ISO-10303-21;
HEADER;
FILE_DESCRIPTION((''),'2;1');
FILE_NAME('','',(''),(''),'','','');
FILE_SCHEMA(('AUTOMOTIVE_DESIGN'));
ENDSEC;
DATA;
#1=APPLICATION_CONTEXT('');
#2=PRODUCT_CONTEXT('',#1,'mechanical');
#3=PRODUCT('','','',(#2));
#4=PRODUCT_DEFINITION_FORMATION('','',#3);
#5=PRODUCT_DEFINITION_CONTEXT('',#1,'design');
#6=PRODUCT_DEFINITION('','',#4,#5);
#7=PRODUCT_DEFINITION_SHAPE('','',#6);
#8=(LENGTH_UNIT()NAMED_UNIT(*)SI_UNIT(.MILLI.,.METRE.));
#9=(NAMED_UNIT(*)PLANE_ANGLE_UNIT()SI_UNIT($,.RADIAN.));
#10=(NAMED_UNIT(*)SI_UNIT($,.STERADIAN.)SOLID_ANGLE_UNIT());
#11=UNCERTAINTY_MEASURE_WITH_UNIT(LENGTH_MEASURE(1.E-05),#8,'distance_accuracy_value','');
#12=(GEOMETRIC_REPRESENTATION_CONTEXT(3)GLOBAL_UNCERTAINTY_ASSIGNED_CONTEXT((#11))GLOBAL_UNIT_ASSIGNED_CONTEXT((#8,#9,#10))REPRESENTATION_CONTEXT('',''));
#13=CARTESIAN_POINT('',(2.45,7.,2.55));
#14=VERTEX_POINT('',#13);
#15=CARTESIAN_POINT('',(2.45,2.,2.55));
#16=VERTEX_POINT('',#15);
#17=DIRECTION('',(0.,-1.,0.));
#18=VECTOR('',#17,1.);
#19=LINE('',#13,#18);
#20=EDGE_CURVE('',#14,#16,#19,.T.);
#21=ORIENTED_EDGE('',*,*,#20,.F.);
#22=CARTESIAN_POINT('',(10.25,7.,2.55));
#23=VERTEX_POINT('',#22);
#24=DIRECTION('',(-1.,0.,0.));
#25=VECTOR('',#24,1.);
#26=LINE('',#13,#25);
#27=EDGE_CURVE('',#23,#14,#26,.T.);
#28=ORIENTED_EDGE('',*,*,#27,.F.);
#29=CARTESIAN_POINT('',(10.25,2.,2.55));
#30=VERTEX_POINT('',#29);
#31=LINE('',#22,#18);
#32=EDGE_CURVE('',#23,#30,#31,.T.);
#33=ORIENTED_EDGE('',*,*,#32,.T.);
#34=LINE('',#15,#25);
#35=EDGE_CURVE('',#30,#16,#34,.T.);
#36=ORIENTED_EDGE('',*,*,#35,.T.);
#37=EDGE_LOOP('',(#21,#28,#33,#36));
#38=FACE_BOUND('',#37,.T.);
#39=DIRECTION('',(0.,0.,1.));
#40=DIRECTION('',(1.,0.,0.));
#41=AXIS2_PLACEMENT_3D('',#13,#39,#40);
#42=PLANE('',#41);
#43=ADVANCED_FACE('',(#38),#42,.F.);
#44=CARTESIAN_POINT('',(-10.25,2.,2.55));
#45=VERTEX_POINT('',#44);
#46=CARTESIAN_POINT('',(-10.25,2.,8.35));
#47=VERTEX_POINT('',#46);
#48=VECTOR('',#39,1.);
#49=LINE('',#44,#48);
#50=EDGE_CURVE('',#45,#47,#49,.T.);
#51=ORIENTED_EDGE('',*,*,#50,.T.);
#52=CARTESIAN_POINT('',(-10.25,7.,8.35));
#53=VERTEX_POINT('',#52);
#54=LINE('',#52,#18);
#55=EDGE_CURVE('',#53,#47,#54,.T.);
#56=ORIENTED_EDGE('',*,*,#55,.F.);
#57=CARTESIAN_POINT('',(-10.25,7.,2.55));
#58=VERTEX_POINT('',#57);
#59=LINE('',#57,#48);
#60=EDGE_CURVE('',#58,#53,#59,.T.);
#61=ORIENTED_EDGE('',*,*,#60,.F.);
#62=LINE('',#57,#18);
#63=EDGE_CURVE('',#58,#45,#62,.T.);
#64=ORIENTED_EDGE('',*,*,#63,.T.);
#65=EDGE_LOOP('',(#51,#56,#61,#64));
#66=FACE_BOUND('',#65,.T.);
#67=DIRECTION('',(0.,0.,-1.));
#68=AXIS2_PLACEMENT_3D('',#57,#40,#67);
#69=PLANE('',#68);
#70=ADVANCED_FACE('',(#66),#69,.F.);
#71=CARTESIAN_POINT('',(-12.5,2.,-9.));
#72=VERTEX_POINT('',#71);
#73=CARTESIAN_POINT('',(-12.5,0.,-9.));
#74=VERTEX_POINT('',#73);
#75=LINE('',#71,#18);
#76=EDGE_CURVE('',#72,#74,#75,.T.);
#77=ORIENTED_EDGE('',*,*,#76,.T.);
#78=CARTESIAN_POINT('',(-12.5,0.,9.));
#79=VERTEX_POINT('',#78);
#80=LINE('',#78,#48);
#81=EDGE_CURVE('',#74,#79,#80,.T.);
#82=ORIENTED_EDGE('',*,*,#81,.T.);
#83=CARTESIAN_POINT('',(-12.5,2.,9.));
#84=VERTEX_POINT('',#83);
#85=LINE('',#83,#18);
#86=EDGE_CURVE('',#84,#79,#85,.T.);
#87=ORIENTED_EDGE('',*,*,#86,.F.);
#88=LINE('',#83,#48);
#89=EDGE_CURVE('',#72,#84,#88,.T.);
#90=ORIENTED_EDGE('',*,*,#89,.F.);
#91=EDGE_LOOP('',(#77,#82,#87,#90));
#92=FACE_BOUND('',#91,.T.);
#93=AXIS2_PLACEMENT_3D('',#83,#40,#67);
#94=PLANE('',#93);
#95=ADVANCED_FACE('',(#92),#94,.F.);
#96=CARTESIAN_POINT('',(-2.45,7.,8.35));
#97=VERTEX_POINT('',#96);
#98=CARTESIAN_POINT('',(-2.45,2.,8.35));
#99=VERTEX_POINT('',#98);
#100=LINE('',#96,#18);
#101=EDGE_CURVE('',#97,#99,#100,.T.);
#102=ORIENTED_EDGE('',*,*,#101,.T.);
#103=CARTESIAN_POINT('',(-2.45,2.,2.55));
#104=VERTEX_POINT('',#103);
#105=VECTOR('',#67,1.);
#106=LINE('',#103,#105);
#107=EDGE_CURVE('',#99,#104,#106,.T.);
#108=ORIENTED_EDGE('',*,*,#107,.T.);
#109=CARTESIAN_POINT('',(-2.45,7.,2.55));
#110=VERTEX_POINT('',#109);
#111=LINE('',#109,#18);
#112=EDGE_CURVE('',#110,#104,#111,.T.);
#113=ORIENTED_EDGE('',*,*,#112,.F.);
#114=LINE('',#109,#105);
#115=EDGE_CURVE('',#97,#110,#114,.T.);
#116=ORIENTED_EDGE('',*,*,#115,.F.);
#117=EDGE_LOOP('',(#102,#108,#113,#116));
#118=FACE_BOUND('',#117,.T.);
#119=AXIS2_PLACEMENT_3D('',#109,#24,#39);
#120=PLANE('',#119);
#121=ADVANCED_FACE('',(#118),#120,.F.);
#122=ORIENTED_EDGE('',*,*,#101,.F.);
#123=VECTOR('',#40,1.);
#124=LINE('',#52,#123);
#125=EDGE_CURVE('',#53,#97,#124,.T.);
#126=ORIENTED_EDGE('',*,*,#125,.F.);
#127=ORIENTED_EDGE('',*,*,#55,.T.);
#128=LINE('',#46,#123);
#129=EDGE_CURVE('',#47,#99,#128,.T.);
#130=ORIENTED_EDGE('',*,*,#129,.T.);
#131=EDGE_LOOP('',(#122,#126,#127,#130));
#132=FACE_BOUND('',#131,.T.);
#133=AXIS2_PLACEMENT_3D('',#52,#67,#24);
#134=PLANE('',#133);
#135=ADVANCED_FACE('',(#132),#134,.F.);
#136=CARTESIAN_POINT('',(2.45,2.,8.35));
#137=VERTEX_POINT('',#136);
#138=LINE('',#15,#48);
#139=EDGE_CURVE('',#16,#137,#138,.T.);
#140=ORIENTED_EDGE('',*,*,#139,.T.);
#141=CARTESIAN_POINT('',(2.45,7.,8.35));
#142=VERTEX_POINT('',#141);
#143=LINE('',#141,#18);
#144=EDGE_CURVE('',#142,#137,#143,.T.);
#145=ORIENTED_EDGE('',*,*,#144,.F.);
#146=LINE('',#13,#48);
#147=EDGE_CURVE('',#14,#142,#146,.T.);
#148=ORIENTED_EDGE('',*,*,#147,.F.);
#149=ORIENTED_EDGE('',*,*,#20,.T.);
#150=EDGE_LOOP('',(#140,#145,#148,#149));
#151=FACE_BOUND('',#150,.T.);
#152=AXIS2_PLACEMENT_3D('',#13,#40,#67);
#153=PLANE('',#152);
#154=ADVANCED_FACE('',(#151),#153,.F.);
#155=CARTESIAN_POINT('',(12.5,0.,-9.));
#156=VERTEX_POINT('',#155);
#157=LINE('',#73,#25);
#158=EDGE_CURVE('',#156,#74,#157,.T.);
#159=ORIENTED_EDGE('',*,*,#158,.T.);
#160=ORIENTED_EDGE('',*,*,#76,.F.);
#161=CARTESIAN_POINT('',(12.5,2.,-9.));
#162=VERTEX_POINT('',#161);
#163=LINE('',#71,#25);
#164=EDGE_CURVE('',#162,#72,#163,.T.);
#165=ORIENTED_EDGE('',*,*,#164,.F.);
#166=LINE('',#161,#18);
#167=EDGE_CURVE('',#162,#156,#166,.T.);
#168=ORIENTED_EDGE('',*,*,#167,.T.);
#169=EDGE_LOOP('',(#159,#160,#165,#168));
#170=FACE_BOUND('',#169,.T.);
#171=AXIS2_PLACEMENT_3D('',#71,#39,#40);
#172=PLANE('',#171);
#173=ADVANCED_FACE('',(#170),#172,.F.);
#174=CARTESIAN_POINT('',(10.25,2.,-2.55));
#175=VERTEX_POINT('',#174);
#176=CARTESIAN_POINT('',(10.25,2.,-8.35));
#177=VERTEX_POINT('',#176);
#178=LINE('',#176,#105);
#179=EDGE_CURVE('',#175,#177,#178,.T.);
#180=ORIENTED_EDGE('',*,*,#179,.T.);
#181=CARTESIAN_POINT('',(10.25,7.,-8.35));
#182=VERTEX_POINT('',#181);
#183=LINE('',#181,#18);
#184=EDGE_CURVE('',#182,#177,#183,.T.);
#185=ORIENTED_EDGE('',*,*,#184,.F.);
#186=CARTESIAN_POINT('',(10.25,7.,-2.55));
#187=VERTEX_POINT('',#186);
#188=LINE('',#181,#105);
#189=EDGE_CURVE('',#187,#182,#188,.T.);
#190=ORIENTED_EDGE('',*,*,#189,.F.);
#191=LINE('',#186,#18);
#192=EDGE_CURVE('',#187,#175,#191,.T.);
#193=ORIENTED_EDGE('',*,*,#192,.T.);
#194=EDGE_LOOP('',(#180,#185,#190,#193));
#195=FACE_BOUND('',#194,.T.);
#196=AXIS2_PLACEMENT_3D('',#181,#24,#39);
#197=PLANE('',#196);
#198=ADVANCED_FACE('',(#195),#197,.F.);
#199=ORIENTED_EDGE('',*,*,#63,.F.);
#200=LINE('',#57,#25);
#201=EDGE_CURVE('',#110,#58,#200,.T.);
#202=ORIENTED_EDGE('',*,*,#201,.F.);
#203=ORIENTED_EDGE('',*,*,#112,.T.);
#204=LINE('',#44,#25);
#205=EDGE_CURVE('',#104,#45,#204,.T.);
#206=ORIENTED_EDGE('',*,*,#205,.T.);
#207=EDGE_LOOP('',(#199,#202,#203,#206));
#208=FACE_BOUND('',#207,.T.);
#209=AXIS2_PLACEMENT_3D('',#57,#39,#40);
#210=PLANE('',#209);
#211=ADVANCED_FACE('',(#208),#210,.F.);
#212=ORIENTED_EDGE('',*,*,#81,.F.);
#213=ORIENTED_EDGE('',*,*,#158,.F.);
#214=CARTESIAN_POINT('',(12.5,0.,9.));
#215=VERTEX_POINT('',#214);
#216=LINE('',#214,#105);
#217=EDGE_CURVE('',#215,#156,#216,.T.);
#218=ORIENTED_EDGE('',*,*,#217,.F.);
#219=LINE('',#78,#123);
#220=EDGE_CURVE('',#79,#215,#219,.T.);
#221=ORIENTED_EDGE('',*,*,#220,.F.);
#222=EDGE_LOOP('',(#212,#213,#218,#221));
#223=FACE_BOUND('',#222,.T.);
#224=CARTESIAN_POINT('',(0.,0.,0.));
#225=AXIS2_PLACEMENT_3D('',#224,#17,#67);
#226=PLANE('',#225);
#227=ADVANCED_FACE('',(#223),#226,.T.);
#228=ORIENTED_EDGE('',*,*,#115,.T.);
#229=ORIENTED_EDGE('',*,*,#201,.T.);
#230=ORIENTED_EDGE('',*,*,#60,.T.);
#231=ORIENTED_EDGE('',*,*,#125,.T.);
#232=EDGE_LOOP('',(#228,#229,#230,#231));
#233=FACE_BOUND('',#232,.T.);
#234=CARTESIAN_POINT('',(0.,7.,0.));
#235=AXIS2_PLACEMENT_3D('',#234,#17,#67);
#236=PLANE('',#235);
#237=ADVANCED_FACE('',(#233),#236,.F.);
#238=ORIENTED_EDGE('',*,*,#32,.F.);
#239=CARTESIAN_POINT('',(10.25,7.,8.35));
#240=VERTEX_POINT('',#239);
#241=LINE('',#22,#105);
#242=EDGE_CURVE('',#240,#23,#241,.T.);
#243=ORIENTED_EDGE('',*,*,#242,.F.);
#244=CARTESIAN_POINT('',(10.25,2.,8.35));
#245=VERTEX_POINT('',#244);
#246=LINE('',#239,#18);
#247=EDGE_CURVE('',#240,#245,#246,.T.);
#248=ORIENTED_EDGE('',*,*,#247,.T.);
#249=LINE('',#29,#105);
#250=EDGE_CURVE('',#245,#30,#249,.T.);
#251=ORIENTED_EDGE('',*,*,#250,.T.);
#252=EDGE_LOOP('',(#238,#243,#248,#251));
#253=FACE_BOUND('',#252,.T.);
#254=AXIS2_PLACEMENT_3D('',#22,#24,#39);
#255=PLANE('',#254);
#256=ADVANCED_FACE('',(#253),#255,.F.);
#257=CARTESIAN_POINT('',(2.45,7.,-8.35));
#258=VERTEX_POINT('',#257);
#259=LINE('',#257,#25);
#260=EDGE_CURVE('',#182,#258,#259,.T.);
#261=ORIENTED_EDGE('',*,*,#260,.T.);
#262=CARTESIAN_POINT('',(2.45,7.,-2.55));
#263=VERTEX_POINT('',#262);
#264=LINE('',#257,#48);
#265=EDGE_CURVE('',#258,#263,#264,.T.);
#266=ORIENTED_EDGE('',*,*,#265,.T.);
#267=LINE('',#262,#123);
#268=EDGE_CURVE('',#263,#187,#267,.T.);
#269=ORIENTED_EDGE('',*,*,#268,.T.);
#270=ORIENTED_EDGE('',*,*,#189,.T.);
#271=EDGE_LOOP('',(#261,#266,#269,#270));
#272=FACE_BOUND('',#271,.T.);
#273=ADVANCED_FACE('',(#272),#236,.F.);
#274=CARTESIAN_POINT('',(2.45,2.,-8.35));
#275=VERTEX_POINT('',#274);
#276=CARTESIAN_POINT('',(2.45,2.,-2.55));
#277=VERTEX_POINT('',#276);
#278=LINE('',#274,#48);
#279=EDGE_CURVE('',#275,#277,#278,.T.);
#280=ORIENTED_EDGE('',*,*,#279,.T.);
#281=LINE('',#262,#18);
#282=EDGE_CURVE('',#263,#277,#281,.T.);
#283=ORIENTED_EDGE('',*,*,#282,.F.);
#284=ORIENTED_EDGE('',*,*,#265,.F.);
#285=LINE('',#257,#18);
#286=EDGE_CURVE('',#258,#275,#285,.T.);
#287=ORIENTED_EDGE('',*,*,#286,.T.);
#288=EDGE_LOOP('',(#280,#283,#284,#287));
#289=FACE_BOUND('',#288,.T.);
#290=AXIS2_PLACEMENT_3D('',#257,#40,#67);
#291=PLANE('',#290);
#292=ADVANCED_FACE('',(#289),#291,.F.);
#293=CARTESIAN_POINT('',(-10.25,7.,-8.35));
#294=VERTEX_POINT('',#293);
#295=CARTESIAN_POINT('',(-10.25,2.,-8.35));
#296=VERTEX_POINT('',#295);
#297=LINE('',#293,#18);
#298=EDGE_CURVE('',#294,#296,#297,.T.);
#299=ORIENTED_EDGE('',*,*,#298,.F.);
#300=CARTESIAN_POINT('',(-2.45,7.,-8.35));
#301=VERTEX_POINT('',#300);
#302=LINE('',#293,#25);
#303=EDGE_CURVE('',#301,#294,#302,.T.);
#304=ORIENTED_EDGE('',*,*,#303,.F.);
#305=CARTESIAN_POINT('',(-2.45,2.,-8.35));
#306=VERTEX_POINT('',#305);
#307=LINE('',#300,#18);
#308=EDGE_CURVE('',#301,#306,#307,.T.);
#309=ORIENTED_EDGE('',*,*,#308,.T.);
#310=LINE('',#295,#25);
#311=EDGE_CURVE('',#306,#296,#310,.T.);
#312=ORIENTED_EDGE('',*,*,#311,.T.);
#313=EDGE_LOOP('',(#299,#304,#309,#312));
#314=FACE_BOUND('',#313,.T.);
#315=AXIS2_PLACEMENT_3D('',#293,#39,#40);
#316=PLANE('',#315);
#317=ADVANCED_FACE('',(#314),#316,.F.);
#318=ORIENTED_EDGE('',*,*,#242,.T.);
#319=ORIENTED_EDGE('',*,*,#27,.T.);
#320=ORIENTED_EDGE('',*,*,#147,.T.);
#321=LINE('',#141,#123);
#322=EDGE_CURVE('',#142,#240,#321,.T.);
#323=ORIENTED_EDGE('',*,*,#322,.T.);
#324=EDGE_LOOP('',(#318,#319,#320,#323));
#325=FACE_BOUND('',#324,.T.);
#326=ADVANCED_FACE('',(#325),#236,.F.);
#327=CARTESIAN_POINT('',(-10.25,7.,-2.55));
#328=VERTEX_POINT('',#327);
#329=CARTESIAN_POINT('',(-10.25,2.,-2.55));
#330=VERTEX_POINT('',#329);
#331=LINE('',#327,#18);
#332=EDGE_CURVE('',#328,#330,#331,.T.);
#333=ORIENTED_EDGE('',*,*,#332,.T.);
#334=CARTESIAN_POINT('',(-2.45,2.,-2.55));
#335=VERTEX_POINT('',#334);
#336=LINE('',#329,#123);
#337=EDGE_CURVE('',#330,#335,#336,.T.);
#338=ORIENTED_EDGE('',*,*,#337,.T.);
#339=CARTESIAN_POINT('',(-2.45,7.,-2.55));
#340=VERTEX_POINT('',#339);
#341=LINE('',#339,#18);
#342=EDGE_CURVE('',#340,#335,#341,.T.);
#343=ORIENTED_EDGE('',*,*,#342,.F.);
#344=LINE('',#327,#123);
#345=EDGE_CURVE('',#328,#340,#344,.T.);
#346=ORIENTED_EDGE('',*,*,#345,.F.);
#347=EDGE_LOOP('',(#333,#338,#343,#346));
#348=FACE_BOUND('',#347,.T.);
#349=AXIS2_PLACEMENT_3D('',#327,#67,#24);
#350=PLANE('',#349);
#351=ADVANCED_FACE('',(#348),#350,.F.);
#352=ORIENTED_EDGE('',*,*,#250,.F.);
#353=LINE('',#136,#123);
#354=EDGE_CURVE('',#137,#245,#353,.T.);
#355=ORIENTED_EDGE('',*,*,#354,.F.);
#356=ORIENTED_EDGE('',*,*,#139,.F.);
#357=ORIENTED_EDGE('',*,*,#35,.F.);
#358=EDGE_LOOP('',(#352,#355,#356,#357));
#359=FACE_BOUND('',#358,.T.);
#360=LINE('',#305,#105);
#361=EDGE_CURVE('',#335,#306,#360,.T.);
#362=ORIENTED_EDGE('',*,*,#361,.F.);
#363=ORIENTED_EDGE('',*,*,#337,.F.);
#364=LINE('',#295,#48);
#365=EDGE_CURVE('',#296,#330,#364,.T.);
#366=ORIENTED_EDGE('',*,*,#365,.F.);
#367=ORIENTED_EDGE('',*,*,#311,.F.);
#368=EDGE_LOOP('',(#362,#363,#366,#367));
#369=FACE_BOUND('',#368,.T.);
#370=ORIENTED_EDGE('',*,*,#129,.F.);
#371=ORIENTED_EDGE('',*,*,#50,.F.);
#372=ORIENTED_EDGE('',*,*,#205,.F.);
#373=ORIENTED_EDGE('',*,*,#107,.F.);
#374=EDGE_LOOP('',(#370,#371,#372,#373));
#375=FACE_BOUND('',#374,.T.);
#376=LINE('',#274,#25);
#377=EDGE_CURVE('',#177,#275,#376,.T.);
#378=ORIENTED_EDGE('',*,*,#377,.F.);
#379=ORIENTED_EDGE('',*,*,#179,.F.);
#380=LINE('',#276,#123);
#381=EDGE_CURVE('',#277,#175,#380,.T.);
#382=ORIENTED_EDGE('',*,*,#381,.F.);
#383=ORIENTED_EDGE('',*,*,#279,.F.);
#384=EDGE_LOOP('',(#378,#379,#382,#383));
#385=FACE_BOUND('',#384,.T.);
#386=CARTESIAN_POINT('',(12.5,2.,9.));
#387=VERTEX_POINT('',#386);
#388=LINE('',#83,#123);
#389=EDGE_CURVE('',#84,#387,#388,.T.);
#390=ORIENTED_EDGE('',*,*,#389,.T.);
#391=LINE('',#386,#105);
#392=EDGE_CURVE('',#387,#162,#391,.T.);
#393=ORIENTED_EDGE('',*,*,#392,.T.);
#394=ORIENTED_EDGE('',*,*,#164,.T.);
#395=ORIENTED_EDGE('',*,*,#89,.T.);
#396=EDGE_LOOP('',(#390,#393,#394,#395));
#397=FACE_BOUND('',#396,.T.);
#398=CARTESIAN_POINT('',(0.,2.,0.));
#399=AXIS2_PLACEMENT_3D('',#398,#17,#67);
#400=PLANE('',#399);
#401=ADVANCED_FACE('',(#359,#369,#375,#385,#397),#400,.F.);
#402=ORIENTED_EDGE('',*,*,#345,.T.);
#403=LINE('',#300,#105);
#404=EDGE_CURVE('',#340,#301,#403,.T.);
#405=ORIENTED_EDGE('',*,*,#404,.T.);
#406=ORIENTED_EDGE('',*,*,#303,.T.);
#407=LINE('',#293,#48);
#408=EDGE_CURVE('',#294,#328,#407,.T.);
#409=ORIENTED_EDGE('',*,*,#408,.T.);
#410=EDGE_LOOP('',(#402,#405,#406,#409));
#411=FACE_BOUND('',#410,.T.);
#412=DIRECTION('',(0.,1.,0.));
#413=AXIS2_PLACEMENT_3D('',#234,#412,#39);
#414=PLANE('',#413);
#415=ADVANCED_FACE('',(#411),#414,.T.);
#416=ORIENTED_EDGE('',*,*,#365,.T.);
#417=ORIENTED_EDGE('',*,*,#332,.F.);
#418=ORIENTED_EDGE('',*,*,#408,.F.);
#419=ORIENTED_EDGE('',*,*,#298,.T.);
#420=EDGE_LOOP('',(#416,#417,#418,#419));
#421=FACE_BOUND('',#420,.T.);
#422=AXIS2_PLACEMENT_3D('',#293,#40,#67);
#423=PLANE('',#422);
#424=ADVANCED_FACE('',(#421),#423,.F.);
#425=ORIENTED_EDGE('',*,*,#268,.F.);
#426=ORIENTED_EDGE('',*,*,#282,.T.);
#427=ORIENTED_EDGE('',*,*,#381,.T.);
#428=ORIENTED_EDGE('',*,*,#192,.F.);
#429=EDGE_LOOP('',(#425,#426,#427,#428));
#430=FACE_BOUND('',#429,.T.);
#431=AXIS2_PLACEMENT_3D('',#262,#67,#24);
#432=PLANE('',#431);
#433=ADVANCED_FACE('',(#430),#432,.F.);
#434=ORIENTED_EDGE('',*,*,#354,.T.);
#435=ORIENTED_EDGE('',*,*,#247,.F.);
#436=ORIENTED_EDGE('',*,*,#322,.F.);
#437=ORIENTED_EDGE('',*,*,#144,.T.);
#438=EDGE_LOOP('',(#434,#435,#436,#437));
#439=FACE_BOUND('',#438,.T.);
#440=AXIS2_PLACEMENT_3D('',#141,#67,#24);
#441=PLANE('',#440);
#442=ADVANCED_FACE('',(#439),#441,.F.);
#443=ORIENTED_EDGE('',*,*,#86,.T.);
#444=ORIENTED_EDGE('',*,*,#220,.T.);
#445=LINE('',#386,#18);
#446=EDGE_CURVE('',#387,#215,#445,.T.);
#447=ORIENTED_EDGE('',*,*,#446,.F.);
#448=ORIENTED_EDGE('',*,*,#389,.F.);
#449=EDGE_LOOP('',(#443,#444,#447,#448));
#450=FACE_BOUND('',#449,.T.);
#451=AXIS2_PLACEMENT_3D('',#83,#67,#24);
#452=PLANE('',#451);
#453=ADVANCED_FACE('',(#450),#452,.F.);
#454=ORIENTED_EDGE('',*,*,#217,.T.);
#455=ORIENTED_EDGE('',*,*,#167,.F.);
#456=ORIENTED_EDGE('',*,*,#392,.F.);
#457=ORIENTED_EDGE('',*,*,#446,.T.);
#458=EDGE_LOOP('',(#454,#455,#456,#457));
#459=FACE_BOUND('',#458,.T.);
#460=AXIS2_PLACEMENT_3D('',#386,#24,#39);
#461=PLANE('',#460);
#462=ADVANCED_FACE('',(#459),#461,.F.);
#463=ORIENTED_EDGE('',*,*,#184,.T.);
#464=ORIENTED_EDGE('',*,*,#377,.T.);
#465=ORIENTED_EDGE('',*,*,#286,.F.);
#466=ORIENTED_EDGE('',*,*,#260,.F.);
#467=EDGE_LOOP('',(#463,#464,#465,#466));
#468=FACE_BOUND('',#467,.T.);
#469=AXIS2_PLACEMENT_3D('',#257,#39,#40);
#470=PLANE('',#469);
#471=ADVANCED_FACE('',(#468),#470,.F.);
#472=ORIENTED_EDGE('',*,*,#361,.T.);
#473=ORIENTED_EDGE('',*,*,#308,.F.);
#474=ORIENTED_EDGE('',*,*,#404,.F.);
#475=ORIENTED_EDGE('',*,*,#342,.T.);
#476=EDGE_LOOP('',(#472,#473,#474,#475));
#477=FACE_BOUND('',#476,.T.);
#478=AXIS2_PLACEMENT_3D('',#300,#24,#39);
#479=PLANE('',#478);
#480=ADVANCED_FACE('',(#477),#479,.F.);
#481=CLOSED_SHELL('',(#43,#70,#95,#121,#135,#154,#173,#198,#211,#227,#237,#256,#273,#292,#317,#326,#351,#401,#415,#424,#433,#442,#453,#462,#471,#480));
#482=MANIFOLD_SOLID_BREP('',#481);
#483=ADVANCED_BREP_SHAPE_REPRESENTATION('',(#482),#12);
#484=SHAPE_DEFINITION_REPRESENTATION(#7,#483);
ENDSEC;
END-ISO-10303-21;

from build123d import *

# Parameters (mm, degrees)
SKETCH_1_W      = 25
SKETCH_1_H      = 18
EXTRUDE_1_DEPTH = 2
SKETCH_2_W      = 7.8
SKETCH_2_H      = 5.8
EXTRUDE_2_DEPTH = 5


with BuildPart() as part:
    # Эскиз1 → Бобышка-Вытянуть1 (new body)
    with BuildSketch(Plane(origin=(0, 0, 0), x_dir=(1, 0, 0), z_dir=(0, 1, 0))):
        Rectangle(SKETCH_1_W, SKETCH_1_H)
    extrude(amount=EXTRUDE_1_DEPTH)

    # Эскиз2 → Бобышка-Вытянуть2 (add)
    with BuildSketch(Plane(origin=(0, 2, 0), x_dir=(1, 0, 0), z_dir=(0, 1, 0))):
        with Locations((6.35, 5.45)):
            Rectangle(SKETCH_2_W, SKETCH_2_H)
        with Locations((-6.35, 5.45)):
            Rectangle(SKETCH_2_W, SKETCH_2_H)
        with Locations((6.35, -5.45)):
            Rectangle(SKETCH_2_W, SKETCH_2_H)
        with Locations((-6.35, -5.45)):
            Rectangle(SKETCH_2_W, SKETCH_2_H)
    extrude(amount=EXTRUDE_2_DEPTH)


solid = part.part
